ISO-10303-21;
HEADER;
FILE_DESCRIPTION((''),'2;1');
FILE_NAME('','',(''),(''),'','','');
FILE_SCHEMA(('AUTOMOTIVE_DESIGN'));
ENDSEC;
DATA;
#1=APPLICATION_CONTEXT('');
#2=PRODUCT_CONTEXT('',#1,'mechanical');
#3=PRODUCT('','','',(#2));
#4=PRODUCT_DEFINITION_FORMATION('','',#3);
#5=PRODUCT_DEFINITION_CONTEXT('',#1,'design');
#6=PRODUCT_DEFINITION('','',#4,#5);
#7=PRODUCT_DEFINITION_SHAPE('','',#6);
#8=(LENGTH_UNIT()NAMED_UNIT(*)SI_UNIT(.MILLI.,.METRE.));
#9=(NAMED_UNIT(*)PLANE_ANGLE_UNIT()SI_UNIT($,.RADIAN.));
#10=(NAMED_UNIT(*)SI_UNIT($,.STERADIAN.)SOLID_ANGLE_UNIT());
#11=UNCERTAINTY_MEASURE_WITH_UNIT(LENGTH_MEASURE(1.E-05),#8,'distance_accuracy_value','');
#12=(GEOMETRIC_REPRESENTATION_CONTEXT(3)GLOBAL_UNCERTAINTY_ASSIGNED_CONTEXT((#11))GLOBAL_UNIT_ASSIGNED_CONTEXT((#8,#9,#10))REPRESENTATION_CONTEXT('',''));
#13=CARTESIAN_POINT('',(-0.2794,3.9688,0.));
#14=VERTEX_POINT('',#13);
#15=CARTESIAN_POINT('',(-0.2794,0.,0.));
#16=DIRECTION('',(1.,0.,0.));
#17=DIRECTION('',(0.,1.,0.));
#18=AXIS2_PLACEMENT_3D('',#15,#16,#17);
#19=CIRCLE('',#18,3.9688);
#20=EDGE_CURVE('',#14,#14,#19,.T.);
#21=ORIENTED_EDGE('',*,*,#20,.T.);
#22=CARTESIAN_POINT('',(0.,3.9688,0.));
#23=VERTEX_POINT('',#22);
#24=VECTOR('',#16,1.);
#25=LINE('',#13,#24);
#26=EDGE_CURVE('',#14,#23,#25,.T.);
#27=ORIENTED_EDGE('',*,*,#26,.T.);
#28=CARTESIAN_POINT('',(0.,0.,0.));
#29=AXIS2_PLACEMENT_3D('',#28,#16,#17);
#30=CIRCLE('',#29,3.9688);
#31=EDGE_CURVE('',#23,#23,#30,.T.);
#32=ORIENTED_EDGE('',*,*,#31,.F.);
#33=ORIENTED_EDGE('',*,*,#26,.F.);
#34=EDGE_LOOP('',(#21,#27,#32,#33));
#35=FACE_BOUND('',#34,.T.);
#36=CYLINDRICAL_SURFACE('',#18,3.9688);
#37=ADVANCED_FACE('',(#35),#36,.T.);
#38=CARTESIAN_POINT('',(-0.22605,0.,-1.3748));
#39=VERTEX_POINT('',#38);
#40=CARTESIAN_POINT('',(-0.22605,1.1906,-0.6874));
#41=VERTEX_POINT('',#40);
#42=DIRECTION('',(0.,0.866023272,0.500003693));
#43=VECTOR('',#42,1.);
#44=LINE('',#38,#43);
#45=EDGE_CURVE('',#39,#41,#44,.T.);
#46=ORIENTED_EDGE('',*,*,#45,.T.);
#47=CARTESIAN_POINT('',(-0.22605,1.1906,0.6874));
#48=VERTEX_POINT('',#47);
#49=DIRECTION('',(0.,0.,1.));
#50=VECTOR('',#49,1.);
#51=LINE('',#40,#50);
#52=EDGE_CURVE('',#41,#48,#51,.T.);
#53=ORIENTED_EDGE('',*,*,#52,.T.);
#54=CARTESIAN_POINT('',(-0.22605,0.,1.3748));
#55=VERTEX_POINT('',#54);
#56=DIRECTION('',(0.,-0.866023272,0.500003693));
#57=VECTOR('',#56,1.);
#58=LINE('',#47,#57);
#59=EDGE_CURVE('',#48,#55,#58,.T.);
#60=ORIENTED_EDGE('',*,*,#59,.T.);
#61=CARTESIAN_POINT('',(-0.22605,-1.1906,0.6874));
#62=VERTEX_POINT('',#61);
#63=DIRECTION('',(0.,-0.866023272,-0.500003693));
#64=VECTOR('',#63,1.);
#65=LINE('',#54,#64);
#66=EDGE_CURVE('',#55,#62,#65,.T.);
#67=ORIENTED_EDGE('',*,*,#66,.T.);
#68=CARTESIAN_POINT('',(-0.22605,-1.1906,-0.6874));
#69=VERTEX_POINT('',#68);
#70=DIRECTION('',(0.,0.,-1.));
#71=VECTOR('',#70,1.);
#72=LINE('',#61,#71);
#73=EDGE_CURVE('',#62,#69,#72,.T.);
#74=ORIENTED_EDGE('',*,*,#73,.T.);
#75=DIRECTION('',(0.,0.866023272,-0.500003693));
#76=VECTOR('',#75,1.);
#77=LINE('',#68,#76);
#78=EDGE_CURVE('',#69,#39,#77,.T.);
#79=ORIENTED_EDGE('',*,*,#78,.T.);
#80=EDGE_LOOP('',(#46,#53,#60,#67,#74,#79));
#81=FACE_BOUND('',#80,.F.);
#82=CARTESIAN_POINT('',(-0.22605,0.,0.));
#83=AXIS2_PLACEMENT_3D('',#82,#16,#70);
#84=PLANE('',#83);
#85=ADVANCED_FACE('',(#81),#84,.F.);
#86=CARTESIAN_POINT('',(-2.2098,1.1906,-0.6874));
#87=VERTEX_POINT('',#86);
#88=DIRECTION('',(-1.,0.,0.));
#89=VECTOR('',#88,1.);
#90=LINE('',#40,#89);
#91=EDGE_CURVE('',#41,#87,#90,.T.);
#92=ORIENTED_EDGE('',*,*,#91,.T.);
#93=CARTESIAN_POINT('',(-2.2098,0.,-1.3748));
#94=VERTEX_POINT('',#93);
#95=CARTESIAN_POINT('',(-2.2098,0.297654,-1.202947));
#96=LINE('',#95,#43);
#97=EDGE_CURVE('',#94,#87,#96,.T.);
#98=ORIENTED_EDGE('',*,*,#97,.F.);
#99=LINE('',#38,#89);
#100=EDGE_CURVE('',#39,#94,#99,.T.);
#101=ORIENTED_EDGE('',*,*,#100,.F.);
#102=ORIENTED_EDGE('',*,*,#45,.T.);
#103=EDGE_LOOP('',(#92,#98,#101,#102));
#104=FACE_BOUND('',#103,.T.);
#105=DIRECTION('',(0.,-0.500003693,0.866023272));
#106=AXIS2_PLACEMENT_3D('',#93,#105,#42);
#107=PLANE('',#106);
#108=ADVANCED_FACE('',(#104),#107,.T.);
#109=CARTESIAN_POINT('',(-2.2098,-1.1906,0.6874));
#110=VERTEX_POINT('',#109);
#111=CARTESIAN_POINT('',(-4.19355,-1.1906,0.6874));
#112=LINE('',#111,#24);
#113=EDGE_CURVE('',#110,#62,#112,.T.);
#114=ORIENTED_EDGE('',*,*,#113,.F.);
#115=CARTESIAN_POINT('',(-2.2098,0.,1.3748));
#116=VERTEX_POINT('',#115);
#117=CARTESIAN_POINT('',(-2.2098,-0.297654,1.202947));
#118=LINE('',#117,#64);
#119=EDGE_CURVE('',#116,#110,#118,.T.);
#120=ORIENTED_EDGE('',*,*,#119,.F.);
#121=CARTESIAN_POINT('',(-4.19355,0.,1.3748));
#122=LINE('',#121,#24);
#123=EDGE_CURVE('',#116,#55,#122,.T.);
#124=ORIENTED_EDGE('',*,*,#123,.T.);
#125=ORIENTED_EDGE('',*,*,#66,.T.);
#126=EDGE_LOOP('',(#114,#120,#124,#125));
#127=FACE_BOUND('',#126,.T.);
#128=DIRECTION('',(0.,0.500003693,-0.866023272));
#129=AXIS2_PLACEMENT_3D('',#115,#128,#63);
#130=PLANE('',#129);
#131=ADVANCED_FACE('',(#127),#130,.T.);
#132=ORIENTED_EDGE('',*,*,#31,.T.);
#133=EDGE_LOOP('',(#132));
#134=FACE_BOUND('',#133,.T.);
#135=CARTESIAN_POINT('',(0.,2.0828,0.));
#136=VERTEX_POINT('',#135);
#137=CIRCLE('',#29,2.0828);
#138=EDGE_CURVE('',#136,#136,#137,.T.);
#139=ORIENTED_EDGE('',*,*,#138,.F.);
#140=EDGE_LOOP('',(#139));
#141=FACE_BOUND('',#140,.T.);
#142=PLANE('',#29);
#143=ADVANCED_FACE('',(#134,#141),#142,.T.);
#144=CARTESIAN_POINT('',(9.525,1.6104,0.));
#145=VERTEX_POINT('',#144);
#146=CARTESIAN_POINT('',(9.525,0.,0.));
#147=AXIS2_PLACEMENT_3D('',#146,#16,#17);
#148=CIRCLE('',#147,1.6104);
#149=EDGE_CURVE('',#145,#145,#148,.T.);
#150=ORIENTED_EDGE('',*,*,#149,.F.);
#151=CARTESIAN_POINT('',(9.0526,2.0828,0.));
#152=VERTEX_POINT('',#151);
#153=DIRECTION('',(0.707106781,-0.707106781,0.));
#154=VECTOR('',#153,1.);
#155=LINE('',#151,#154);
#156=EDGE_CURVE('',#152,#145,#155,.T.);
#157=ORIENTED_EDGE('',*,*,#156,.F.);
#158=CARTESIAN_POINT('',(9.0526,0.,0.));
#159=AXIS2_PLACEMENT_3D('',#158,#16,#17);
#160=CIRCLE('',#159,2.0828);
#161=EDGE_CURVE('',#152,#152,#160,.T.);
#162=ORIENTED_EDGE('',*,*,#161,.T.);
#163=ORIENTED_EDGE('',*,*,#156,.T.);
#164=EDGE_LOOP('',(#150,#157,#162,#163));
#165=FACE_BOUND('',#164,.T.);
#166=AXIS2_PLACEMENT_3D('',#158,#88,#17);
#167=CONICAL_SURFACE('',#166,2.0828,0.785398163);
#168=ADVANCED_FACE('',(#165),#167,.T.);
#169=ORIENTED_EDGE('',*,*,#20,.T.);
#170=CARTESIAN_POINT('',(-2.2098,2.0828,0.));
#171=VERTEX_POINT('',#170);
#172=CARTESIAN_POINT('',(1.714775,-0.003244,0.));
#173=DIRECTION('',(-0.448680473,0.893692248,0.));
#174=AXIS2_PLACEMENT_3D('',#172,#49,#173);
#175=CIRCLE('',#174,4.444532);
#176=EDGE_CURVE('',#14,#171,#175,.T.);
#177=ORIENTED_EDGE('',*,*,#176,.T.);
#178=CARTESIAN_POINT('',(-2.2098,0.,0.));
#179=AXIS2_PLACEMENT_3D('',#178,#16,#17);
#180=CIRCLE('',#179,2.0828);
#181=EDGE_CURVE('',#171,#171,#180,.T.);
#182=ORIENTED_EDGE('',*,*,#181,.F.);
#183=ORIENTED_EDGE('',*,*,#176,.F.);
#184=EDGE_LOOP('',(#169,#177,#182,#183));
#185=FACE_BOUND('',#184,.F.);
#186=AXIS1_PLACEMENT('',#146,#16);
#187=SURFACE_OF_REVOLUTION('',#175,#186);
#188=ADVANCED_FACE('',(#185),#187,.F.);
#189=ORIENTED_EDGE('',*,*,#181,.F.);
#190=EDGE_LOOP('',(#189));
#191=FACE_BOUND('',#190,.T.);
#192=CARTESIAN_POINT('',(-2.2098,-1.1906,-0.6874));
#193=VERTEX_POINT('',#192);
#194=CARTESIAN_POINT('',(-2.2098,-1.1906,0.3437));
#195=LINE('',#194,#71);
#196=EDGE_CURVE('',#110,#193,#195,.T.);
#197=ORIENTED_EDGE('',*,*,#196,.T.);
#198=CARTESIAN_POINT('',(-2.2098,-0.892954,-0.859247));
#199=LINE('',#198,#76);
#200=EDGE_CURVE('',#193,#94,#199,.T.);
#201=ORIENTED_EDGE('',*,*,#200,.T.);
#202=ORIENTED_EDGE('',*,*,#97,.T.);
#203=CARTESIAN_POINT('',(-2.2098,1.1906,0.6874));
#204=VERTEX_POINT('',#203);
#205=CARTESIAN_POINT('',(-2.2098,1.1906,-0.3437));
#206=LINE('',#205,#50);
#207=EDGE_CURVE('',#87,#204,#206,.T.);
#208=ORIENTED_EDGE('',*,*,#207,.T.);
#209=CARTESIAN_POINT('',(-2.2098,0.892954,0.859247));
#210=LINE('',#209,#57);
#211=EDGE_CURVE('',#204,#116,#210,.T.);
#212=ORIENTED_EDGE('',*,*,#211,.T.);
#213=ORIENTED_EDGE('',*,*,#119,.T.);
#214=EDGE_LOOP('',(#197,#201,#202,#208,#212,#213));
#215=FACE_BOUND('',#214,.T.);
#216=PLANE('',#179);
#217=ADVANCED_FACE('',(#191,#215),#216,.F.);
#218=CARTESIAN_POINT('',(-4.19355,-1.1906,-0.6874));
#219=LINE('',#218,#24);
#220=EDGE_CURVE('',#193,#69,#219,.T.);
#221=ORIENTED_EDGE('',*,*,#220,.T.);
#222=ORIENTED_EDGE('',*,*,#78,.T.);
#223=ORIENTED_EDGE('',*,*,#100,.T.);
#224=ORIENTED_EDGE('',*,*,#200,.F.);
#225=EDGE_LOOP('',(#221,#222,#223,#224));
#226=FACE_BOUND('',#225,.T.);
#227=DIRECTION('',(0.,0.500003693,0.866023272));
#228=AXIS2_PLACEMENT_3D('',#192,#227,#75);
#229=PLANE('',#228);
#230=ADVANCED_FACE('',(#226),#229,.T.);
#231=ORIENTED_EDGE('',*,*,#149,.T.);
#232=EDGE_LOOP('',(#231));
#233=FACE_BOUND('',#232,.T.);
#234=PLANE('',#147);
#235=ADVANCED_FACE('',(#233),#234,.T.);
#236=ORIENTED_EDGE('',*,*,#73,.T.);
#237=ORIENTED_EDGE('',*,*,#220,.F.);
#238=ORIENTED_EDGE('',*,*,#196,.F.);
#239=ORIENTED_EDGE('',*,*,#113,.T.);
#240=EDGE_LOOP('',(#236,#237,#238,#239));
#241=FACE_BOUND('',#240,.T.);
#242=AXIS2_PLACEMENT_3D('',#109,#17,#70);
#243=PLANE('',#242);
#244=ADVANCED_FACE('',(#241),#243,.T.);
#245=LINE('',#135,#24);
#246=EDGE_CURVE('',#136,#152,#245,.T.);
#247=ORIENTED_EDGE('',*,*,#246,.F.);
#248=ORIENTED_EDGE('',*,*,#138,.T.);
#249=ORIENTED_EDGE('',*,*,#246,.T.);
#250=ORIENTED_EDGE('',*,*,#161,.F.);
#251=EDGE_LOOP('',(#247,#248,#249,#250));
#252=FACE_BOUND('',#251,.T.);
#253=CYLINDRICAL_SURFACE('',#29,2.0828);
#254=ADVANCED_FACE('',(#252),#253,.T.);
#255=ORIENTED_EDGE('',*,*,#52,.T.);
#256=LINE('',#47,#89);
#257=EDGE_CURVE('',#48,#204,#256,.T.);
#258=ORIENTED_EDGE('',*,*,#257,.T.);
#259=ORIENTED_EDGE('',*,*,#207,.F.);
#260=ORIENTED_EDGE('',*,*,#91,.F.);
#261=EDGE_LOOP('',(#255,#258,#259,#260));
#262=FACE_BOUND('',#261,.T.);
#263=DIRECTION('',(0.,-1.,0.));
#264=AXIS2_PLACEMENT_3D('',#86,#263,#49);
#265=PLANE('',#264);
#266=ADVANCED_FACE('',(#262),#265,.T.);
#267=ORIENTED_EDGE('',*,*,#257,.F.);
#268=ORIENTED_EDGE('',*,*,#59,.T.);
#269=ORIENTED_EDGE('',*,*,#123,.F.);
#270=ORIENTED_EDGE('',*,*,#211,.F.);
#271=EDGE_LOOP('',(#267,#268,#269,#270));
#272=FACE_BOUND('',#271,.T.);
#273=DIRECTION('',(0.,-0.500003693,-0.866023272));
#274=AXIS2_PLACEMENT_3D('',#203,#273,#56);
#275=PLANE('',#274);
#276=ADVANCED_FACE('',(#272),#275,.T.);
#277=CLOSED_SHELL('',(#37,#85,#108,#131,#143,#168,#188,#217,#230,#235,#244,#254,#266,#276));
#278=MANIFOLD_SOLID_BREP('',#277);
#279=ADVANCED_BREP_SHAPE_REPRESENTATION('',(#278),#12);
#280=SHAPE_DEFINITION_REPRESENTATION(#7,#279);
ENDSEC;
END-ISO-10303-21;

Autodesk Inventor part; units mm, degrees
sketch "Sketch_1" plane through (0, 0, 0) normal (0, 0, 1) x (1, 0, 0)
  line L0 (9.525, 0) -> (-2.2098, 0)
  line L1 (-2.2098, 0) -> (-2.2098, 2.0828)
  arc A0 (-0.2794, 3.9688) -> (-2.2098, 2.0828) centre (1.7151, -0.0037) ccw
  line L2 (-0.2794, 3.9688) -> (0, 3.9688)
  line L3 (0, 3.9688) -> (0, 2.0828)
  line L4 (0, 2.0828) -> (9.0526, 2.0828)
  line L5 (9.0526, 2.0828) -> (9.525, 1.6104)
  line L6 (9.525, 1.6104) -> (9.525, 0)
  line L7 (9.525, 0) -> (-2.2098, 0)
revolve "Revolution1" add sketch "Sketch_1" angle 360 about axis through (9.525, 0, 0) along (1, 0, 0)
thread "Thread1" size "8-32 UNC" class "2A" standard "ANSI Unified Screw Threads" length 8.2343
sketch "Sketch_3" plane through (-2.2098, 0, 0) normal (1, 0, 0) x (0, 0, -1)
  line L0 (-1.3748, 0) -> (-0.6874, -1.1906)
  line L1 (-0.6874, -1.1906) -> (0.6874, -1.1906)
  line L2 (0.6874, -1.1906) -> (1.3748, 0)
  line L3 (1.3748, 0) -> (0.6874, 1.1906)
  line L4 (0.6874, 1.1906) -> (-0.6874, 1.1906)
  line L5 (-0.6874, 1.1906) -> (-1.3748, 0)
extrude "Extrusion1" cut sketch "Sketch_3" along normal mid plane 3.9675
ref_plane "screw_XY" through (0, 0, 0) normal (1, 0, 0) x (0, 0, -1)
ref_plane "screw_YZ" through (0, 0, 0) normal (0, 0, -1) x (0, 1, 0)
ref_plane "screw_ZX" through (0, 0, 0) normal (0, 1, 0) x (1, 0, 0)
ref_plane "to_nut_XY" through (9.525, 0, 0) normal (1, 0, 0) x (0, 0, -1)
ref_plane "to_nut_YZ" through (9.525, 0, 0) normal (0, 0, -1) x (0, 1, 0)
ref_plane "to_nut_ZX" through (9.525, 0, 0) normal (0, 1, 0) x (1, 0, 0)
properties part number "3005"
